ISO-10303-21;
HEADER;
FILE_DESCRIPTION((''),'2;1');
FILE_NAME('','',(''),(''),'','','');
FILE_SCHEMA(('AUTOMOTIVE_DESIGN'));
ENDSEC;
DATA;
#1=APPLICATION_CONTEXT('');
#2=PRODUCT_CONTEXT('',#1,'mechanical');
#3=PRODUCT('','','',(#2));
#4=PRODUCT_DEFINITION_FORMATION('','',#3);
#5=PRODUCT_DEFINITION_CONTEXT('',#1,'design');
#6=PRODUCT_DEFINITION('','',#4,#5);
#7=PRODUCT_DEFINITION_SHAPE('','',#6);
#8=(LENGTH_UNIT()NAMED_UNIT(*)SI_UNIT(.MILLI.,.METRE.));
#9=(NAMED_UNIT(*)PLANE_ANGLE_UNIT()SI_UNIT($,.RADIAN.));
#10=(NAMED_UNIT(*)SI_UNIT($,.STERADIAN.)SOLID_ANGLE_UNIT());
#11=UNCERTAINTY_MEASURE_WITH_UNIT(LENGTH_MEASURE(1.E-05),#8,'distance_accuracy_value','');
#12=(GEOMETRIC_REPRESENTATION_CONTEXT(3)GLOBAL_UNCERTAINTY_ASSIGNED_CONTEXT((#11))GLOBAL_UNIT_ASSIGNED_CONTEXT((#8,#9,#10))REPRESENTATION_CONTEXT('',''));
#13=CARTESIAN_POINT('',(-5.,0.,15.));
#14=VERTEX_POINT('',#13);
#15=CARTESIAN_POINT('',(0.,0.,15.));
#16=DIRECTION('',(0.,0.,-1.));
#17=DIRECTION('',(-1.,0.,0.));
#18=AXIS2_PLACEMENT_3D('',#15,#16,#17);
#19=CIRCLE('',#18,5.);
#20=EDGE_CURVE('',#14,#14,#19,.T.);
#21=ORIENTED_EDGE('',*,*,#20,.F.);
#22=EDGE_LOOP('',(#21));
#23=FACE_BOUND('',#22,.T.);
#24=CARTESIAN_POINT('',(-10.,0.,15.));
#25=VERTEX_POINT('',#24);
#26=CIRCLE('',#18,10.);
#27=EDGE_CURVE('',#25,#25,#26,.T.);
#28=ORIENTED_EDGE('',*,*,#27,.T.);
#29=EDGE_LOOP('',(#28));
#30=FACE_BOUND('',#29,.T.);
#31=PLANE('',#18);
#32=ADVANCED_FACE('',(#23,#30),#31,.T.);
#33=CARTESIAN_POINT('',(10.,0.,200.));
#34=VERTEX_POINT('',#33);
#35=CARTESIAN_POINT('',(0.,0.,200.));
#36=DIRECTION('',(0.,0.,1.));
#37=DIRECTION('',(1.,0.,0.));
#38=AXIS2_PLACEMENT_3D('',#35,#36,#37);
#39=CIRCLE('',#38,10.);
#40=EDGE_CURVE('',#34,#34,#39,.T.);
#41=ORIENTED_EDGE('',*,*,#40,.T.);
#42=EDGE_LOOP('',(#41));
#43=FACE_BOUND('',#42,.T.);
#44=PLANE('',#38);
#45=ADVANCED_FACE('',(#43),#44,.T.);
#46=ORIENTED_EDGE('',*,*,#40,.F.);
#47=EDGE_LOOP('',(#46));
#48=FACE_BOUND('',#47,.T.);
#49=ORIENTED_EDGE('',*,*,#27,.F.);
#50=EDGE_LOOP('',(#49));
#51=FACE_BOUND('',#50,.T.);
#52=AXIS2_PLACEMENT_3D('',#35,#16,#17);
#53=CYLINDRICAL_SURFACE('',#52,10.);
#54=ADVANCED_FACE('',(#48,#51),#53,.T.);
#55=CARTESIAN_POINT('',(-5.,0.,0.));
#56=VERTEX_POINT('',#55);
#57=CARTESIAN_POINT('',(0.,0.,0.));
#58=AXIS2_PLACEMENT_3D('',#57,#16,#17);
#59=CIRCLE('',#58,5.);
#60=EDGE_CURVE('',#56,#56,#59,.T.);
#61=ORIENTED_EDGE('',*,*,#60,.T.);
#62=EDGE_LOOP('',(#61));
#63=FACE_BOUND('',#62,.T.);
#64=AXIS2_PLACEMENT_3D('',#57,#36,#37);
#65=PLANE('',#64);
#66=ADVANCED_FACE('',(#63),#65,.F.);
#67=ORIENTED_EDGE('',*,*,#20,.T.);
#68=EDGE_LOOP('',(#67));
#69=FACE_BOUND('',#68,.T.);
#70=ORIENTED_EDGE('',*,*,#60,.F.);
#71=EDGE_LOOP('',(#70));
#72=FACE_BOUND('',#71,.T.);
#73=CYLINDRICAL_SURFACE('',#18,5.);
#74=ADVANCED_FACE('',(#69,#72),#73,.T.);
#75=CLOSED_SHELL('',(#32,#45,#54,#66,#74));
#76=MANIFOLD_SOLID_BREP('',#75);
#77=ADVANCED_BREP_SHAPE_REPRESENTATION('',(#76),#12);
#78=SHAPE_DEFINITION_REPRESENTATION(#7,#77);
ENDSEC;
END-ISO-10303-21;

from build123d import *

# Parameters (mm, degrees)
SKETCH_1_R          = 10
EXTRUDE_1_DEPTH     = 200
SKETCH_3_R          = 10.892608919
SKETCH_3_R_2        = 5
CUT_EXTRUDE_1_DEPTH = 15


with BuildPart() as part:
    # 草图1 → 凸台-拉伸1 (new body)
    with BuildSketch(Plane.XY):
        Circle(SKETCH_1_R)
    extrude(amount=EXTRUDE_1_DEPTH)

    # 草图3 → 切除-拉伸1 (cut)
    with BuildSketch(Plane(origin=(0, 0, 0), x_dir=(-1, 0, 0), z_dir=(0, 0, -1))):
        Circle(SKETCH_3_R)
        Circle(SKETCH_3_R_2, mode=Mode.SUBTRACT)
    extrude(amount=-CUT_EXTRUDE_1_DEPTH, mode=Mode.SUBTRACT)


solid = part.part
